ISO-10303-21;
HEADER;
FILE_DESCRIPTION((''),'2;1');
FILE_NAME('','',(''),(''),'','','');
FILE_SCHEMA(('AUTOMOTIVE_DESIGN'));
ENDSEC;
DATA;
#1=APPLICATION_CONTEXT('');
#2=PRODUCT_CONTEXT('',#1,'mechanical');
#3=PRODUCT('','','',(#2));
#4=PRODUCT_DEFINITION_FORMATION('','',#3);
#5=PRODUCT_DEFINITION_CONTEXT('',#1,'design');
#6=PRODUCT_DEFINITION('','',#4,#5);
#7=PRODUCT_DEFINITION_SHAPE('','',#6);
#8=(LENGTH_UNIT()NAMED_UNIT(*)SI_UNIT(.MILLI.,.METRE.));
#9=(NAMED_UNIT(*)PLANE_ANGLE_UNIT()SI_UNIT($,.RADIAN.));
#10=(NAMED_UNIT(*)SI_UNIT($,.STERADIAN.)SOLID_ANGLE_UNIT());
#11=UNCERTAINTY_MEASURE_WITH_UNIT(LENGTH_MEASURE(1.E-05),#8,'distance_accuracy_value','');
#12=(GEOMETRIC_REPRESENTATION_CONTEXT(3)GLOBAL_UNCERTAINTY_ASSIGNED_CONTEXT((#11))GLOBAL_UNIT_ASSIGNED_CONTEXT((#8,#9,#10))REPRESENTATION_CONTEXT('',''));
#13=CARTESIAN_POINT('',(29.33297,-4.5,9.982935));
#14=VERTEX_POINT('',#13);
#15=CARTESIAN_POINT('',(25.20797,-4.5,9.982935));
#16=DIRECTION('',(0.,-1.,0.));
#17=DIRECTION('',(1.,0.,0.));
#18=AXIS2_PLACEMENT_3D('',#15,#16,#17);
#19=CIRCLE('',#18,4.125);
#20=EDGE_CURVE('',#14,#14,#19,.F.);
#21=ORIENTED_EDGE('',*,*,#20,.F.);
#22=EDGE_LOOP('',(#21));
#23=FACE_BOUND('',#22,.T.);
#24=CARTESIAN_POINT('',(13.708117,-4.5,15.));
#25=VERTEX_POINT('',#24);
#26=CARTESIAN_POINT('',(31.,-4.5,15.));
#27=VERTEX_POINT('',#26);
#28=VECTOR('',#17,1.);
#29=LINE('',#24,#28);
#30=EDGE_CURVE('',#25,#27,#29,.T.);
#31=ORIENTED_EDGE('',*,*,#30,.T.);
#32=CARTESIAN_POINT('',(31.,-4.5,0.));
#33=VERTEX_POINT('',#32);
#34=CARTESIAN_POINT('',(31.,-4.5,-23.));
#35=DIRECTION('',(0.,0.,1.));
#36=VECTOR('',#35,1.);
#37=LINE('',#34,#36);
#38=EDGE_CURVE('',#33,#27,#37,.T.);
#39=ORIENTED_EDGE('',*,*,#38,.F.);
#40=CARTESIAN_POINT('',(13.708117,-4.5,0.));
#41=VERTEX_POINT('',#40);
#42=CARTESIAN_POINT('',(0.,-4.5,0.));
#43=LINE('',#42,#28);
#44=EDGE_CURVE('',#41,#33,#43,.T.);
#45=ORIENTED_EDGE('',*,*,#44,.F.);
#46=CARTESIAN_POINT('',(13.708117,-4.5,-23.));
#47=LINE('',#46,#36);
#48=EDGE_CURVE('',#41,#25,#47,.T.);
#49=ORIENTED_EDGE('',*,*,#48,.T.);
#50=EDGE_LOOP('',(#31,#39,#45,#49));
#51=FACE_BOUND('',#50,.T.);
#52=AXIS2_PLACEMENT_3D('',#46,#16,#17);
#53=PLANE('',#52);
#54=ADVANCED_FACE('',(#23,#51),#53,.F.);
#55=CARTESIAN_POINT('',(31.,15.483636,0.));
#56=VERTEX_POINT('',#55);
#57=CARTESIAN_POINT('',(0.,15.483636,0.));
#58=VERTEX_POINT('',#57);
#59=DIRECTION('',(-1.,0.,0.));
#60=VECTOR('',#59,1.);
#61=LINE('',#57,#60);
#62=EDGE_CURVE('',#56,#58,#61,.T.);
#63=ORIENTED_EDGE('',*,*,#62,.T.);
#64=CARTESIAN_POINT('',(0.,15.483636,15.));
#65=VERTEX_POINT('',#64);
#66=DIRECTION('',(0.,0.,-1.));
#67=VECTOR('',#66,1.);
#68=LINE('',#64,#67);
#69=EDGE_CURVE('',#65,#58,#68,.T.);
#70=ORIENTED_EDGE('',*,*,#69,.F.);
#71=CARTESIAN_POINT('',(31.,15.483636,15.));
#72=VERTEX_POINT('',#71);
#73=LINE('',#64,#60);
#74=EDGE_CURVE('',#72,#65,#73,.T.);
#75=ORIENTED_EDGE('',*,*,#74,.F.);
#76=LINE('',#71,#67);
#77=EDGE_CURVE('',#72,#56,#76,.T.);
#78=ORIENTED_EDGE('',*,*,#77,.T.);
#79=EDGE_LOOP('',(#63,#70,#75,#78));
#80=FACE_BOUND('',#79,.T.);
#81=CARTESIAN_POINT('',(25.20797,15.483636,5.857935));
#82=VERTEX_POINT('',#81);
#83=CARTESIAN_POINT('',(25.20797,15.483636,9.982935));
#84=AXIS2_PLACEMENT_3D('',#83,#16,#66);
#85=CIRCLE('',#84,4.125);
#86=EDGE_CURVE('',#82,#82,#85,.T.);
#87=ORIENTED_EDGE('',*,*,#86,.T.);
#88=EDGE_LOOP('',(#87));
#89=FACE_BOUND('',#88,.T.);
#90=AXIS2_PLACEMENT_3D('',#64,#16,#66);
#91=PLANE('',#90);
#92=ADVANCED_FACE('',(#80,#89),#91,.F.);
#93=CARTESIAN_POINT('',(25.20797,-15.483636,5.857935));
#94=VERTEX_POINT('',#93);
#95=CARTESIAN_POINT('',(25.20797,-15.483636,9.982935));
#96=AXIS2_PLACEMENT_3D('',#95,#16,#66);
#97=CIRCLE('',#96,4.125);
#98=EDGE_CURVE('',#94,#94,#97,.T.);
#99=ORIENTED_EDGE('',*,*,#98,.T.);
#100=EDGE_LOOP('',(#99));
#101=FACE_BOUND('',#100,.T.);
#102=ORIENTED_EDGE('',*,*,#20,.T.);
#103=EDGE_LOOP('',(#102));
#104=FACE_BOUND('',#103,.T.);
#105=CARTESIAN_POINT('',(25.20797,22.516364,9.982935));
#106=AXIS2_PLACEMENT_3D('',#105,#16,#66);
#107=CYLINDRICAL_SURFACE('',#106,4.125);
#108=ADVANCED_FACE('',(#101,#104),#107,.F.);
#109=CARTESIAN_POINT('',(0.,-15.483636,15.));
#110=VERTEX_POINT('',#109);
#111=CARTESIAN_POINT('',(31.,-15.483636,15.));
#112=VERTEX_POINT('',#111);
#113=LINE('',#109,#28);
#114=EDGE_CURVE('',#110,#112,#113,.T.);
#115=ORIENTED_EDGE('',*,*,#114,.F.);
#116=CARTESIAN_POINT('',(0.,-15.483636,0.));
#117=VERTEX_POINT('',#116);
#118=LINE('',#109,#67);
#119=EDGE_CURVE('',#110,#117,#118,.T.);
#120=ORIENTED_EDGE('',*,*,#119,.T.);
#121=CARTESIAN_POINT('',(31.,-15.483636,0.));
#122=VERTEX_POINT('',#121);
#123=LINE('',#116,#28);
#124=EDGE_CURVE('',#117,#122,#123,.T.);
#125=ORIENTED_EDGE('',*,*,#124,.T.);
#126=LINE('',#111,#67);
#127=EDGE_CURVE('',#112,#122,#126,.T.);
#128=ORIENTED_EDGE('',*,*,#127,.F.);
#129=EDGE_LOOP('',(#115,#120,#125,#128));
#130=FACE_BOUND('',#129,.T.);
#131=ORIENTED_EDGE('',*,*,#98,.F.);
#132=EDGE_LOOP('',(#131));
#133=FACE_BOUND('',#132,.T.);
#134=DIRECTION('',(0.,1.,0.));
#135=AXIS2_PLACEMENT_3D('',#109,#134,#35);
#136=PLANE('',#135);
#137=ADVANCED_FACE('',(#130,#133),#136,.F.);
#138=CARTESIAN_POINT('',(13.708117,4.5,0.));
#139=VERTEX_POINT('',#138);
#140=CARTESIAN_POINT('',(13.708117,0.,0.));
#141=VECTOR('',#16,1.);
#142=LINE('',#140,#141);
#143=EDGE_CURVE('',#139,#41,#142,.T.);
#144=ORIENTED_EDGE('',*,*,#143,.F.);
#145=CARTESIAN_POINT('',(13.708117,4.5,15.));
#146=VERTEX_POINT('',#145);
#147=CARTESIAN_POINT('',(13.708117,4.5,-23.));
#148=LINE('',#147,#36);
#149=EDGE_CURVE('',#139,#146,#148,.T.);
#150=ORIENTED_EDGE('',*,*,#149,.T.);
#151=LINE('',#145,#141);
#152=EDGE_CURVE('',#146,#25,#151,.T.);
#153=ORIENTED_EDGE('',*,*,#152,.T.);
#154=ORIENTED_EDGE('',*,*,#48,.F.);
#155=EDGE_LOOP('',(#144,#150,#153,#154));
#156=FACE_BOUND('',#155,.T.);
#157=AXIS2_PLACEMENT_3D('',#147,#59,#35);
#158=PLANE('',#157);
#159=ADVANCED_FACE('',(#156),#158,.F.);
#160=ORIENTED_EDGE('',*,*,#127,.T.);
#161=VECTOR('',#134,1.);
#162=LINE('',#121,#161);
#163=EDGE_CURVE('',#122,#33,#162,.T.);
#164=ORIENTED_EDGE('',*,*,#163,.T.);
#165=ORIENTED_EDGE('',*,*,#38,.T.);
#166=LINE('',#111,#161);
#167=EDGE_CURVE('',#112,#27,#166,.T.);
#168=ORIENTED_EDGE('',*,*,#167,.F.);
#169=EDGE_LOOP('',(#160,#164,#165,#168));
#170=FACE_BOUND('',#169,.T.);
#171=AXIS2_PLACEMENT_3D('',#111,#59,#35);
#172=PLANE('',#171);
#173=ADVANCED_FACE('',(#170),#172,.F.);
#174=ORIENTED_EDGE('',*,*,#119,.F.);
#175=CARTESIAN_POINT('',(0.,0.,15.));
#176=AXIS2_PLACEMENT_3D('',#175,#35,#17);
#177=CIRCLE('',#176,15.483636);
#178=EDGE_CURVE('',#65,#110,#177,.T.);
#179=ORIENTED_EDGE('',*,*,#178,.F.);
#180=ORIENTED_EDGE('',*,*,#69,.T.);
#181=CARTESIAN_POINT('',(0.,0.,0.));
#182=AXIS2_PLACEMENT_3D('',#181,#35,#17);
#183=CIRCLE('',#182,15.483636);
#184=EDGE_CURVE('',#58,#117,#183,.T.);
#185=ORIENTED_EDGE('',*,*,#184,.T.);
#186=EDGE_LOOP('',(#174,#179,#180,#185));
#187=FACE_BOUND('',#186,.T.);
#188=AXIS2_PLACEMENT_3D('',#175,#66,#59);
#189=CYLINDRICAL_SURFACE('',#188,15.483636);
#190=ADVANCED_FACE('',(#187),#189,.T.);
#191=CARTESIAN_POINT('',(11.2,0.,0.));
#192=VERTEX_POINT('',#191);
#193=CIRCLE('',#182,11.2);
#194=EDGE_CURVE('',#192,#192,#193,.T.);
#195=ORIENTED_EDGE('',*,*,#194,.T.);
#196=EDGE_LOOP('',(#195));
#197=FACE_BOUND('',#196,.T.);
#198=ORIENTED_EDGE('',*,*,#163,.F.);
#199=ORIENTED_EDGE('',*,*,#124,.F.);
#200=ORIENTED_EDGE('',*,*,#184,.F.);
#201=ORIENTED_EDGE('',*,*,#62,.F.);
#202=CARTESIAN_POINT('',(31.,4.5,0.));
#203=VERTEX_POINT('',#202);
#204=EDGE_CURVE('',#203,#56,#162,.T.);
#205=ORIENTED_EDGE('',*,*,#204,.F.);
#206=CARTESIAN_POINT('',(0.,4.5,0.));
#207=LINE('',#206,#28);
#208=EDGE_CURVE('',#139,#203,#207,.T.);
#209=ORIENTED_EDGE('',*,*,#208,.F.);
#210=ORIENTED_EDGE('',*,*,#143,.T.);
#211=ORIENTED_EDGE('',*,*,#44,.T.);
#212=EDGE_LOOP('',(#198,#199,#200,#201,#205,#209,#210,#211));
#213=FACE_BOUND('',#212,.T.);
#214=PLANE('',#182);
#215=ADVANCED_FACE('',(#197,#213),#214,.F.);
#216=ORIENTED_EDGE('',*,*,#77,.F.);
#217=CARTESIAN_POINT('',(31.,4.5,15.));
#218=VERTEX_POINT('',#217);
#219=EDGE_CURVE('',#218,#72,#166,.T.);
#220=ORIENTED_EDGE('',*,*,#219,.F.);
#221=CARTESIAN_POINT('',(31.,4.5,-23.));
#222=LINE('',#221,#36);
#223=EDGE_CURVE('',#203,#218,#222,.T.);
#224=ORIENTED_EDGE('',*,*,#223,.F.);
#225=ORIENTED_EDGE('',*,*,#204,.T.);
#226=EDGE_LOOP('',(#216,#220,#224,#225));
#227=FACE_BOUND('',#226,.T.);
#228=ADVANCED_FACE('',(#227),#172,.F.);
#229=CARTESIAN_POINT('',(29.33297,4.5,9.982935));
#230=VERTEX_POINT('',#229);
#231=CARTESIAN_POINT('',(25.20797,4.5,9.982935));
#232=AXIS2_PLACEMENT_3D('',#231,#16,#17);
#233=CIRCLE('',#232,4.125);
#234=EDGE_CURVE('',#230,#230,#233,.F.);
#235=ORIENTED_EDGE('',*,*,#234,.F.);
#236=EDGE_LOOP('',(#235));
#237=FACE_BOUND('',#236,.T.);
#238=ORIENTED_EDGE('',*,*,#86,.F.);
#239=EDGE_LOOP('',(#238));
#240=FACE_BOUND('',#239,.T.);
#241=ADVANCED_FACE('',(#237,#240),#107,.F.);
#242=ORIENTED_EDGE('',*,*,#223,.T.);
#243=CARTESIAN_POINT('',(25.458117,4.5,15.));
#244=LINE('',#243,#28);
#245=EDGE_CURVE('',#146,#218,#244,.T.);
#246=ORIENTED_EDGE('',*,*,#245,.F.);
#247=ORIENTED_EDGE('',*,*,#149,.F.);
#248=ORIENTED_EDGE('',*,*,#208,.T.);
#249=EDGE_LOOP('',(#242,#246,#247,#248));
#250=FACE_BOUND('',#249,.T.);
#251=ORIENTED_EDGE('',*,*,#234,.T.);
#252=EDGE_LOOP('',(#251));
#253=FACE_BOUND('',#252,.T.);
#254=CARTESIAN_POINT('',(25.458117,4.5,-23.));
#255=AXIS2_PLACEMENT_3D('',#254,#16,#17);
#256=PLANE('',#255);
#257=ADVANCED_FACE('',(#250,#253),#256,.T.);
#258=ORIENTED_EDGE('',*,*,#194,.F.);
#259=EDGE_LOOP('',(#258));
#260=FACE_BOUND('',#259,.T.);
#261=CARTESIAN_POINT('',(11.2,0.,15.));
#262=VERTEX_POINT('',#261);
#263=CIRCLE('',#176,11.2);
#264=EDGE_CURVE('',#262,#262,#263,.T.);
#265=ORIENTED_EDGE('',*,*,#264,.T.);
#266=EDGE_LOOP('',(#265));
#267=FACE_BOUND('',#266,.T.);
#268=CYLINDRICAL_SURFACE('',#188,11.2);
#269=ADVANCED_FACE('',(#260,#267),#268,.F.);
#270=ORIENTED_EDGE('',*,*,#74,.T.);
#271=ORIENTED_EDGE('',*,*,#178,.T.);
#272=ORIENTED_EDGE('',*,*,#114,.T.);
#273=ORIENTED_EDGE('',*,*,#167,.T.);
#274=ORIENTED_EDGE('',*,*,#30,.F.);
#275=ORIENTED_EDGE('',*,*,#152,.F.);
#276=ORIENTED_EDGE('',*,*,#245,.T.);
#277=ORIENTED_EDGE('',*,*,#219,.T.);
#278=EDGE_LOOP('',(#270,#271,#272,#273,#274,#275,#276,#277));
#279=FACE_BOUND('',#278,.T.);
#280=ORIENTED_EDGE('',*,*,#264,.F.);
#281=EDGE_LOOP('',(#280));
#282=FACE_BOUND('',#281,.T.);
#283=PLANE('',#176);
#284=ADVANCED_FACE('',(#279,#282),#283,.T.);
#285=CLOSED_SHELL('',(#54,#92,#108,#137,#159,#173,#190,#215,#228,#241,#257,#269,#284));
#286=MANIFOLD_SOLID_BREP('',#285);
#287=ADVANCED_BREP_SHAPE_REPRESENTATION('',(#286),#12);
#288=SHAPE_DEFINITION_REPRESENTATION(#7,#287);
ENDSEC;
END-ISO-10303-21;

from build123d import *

# Parameters (mm, degrees)
SKETCH1_R           = 11.2
BOSS_EXTRUDE1_DEPTH = 15
SKETCH2_R           = 4.125
CUT_EXTRUDE1_DEPTH  = 38
CUT_EXTRUDE2_DEPTH  = 38


with BuildPart() as part:
    # Sketch1 → Boss-Extrude1 (new body)
    with BuildSketch(Plane.XY):
        with BuildLine():
            Line((0, 15.483636231), (31, 15.483636231))
            Line((31, 15.483636231), (31, -15.483636231))
            Line((31, -15.483636231), (0, -15.483636231))
            ThreePointArc((0, -15.483636231), (-15.483636231, 0), (0, 15.483636231))
        make_face()
        Circle(SKETCH1_R, mode=Mode.SUBTRACT)
    extrude(amount=BOSS_EXTRUDE1_DEPTH)

    # Sketch2 → Cut-Extrude1 (cut)
    with BuildSketch(Plane.XZ.offset(15.483636231)):
        with Locations((25.207969837, 9.982935424)):
            Circle(SKETCH2_R)
    extrude(amount=-CUT_EXTRUDE1_DEPTH, mode=Mode.SUBTRACT)

    # Sketch7 → Cut-Extrude2 (cut)
    with BuildSketch(Plane.XY.offset(15)):
        Polygon((25.458117285, 4.5), (13.708117285, 4.5), (13.708117285, -4.5), (31, -4.5), (31, 4.5), align=None)
    extrude(amount=-CUT_EXTRUDE2_DEPTH, mode=Mode.SUBTRACT)


solid = part.part
